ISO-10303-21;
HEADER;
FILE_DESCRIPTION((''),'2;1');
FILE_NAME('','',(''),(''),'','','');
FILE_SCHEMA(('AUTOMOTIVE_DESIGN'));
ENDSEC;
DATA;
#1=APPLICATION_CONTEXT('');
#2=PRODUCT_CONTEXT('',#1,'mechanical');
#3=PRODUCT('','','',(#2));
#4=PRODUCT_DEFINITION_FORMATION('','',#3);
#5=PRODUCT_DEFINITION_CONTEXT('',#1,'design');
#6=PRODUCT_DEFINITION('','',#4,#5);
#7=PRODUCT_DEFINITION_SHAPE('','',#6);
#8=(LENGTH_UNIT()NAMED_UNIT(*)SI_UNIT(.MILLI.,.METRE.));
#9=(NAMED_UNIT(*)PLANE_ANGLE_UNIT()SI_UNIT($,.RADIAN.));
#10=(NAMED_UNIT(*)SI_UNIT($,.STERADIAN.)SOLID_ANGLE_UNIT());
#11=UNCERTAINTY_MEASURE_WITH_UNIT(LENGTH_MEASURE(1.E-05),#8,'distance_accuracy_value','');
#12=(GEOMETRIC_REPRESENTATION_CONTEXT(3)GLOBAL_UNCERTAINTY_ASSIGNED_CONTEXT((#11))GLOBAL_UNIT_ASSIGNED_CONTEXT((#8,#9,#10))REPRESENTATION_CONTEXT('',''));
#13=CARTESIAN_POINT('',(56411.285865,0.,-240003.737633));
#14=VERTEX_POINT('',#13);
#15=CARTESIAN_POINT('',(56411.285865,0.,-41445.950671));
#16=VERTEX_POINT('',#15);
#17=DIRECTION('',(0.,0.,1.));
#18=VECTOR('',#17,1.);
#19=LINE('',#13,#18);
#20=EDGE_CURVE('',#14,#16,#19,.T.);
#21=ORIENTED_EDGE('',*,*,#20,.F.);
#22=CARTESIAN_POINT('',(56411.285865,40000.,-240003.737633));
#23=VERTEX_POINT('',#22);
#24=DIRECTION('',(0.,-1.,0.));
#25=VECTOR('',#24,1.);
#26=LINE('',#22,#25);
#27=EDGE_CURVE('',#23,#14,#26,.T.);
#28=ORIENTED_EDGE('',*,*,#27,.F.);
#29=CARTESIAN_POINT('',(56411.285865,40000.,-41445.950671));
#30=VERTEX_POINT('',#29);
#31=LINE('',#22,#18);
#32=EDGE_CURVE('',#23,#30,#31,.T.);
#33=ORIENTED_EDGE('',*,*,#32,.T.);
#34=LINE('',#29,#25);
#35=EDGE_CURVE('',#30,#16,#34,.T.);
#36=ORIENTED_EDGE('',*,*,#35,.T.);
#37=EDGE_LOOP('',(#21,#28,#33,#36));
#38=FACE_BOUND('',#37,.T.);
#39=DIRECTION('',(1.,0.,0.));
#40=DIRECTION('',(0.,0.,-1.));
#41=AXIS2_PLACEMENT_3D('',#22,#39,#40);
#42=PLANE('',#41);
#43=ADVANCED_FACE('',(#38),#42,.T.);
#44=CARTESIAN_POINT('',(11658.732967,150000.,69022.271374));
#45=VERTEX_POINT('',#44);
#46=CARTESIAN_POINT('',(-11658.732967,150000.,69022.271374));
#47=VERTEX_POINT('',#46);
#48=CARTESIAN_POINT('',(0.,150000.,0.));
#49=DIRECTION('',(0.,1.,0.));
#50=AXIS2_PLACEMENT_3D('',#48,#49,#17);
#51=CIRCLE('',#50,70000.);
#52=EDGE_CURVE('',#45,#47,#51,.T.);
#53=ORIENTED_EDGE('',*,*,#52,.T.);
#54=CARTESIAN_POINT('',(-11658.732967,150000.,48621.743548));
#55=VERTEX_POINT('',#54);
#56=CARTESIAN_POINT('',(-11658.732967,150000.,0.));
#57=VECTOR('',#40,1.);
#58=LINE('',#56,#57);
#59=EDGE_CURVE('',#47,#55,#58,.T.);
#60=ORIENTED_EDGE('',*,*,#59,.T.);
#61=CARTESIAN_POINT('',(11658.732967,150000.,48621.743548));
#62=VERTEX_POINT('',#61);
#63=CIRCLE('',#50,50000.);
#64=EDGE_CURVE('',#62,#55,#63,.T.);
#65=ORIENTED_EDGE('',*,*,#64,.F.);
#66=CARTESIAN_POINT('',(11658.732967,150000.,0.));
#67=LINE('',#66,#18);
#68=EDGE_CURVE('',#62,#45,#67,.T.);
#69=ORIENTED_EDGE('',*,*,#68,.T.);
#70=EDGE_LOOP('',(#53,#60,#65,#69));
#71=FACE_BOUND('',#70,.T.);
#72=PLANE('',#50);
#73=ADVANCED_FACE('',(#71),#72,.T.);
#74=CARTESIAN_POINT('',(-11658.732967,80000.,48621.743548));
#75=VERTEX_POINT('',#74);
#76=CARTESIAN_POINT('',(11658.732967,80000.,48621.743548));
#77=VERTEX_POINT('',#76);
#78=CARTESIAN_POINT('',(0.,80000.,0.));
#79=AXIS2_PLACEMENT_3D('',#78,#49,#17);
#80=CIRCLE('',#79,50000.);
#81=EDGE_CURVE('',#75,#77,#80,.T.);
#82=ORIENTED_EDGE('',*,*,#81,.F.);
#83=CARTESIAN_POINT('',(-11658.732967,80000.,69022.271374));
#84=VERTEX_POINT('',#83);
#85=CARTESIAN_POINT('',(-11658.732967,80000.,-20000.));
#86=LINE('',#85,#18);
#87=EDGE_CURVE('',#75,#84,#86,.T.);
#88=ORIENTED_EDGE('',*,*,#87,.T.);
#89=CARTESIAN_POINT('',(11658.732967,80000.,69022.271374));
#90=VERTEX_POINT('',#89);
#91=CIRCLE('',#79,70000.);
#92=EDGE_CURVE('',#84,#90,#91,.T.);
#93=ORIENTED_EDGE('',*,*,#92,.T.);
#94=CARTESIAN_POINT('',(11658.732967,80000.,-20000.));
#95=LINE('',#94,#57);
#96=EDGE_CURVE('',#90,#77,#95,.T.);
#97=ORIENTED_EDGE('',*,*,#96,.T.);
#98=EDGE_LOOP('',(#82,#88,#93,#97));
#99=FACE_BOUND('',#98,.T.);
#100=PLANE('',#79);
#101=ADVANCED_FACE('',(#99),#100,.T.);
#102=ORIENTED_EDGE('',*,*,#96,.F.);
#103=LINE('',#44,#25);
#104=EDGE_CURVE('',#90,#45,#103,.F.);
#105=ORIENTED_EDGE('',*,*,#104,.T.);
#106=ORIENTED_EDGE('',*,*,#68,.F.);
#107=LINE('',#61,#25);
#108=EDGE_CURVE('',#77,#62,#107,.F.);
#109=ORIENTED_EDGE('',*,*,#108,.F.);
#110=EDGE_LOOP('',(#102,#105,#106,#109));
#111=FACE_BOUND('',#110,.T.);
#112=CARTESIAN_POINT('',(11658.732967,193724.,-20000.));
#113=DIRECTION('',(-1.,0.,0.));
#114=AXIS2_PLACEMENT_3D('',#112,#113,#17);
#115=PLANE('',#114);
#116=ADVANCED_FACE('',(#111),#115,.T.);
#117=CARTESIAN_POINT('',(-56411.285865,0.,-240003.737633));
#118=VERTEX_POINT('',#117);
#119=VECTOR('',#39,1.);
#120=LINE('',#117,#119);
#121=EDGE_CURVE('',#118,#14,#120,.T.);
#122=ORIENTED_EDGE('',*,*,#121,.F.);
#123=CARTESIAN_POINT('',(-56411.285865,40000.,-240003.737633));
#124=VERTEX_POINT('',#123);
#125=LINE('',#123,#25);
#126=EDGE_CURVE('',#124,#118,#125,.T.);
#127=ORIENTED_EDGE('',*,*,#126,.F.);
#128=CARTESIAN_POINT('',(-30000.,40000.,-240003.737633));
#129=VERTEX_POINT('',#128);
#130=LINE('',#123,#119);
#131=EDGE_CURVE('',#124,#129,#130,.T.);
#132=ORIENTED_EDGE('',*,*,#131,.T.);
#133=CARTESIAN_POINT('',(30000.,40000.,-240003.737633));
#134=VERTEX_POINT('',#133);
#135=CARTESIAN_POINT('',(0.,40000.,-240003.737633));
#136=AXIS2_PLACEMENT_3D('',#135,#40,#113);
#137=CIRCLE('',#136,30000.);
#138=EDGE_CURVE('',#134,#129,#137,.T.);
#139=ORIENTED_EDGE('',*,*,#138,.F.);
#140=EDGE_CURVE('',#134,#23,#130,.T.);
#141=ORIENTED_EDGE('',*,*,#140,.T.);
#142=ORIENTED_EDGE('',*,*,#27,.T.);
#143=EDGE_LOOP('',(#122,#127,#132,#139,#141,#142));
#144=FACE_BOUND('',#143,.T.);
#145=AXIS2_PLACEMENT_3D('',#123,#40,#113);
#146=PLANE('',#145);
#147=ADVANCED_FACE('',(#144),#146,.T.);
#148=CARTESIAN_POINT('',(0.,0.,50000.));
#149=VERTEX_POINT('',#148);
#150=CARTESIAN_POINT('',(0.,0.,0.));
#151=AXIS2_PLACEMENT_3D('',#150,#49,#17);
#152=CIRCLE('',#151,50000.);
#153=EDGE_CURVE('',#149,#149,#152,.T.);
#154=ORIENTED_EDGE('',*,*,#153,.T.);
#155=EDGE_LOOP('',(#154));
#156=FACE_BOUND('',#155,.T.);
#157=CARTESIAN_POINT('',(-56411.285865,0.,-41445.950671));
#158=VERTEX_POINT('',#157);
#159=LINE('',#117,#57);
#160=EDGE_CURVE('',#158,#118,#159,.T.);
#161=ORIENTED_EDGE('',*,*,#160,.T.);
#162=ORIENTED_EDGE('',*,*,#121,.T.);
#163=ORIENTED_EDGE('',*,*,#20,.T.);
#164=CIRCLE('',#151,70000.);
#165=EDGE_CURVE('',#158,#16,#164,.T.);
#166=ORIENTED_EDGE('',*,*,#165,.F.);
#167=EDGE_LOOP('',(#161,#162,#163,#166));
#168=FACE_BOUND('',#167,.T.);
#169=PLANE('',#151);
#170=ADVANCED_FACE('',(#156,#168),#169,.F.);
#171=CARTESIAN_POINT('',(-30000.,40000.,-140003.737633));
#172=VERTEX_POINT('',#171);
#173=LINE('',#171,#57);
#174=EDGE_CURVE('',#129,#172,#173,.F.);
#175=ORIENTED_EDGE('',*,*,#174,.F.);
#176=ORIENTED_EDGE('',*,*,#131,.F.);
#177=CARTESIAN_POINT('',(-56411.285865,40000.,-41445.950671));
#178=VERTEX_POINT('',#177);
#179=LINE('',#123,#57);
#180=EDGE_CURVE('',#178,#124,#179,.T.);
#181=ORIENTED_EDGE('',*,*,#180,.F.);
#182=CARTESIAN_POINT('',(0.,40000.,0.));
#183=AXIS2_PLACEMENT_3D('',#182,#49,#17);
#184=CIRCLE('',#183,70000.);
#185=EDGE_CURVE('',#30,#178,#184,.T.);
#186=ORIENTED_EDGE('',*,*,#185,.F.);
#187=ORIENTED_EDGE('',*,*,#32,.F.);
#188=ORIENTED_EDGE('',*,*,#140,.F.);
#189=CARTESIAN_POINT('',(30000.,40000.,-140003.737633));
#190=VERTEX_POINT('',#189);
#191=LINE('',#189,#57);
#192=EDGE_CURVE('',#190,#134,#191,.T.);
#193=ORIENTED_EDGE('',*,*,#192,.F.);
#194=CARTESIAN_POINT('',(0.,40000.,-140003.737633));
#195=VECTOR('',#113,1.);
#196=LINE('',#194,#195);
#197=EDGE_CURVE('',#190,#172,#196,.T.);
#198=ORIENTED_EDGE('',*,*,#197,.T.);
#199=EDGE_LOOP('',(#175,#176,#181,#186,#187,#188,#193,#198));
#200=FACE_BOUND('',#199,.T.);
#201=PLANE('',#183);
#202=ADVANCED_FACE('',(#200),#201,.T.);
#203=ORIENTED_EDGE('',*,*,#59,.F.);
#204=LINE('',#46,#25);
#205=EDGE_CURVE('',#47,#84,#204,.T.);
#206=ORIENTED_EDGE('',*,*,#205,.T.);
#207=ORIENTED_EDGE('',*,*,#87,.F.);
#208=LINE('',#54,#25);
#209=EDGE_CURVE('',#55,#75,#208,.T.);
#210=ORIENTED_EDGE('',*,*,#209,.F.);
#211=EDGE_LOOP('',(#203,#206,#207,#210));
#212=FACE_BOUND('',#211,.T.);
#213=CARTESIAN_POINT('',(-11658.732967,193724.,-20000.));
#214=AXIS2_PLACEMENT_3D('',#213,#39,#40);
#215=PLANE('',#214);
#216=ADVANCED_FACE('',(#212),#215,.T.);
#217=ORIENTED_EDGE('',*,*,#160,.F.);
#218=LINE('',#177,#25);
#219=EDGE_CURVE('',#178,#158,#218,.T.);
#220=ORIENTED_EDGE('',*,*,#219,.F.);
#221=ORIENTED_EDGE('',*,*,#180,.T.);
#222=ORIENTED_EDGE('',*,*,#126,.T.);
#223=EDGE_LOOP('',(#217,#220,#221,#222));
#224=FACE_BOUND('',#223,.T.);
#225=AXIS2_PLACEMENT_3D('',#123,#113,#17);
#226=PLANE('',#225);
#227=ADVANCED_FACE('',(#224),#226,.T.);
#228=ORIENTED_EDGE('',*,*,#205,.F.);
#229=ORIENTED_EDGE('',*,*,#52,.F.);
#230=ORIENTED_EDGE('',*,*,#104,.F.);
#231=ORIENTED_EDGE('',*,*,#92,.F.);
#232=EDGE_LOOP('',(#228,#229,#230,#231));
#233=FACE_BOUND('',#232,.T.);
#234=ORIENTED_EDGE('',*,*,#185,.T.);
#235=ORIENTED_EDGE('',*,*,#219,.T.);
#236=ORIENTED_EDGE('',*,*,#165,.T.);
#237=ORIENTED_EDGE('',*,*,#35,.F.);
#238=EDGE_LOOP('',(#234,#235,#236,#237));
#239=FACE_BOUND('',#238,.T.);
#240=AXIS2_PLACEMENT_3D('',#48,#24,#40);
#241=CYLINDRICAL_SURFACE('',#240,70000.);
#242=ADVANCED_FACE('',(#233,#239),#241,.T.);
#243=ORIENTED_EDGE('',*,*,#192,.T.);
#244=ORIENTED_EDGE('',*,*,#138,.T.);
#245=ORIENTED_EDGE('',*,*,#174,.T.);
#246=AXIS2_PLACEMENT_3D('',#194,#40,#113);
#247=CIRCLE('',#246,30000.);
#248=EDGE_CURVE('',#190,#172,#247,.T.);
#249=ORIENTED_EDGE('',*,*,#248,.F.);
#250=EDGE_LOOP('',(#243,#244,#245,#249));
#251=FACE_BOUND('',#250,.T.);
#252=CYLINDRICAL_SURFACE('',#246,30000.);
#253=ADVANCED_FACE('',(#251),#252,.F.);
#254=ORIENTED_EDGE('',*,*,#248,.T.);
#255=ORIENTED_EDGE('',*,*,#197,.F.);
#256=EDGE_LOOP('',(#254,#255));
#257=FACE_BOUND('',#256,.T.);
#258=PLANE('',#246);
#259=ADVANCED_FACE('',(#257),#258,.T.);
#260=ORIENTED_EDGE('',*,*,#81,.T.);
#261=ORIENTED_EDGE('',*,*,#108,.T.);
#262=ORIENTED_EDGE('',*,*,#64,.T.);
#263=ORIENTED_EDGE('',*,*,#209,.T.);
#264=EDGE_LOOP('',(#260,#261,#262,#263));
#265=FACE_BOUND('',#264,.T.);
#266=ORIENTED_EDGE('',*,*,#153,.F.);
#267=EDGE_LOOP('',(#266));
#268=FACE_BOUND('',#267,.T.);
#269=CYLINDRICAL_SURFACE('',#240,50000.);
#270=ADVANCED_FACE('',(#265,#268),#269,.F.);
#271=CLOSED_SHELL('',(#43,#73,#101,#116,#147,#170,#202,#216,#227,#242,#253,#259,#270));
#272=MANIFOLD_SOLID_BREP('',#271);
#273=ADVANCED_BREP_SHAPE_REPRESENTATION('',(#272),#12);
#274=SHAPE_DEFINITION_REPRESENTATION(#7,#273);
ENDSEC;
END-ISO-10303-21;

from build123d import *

# Parameters (mm, degrees)
SKETCH3_R               = 70000
SKETCH3_R_2             = 50000
BOSS_EXTRUDE1_DEPTH     = 150000
SKETCH7_W               = 112822.571730932
SKETCH7_H               = 198557.786962263
BOSS_EXTRUDE3_DEPTH     = 40000
SKETCH8_R               = 30000
CUT_EXTRUDE1_DEPTH      = 100000
CUT_EXTRUDE2_DEPTH      = 26529
CUT_EXTRUDE2_DEPTH_BACK = 86482
SKETCH9_R               = 50000
CUT_EXTRUDE4_DEPTH      = 43724
CUT_EXTRUDE4_DEPTH_BACK = 70000
SKETCH11_W              = 23317.46593379
SKETCH11_H              = 104003.866310114


with BuildPart() as part:
    # Sketch3 → Boss-Extrude1 (new body)
    with BuildSketch(Plane(origin=(0, 0, 0), x_dir=(1, 0, 0), z_dir=(0, 1, 0))):
        with Locations(Location((0, 0, 0), (0, 0, 270))):
            Circle(SKETCH3_R)
        with Locations(Location((0, 0, 0), (0, 0, 270))):
            Circle(SKETCH3_R_2, mode=Mode.SUBTRACT)
    extrude(amount=BOSS_EXTRUDE1_DEPTH)

    # Sketch7 → Boss-Extrude3 (add)
    with BuildSketch(Plane.XZ):
        with Locations((0, -140724.844151912)):
            Rectangle(SKETCH7_W, SKETCH7_H)
    extrude(amount=-BOSS_EXTRUDE3_DEPTH)

    # Sketch8 → Cut-Extrude1 (cut)
    with BuildSketch(Plane(origin=(0, 0, -240003.737633043), x_dir=(-1, 0, 0), z_dir=(0, 0, -1))):
        with Locations((0, 40000)):
            Circle(SKETCH8_R)
    extrude(amount=-CUT_EXTRUDE1_DEPTH, mode=Mode.SUBTRACT)

    # Sketch9 → Cut-Extrude2 (cut, two sides: drawn at the far end of the back side and taken through both)
    with BuildSketch(Plane(origin=(0, 40000, 0), x_dir=(1, 0, 0), z_dir=(0, 1, 0)).offset(-CUT_EXTRUDE2_DEPTH_BACK)):
        with Locations(Location((0, 0, 0), (0, 0, 270))):
            Circle(SKETCH9_R)
    extrude(amount=CUT_EXTRUDE2_DEPTH + CUT_EXTRUDE2_DEPTH_BACK, mode=Mode.SUBTRACT)

    # Sketch11 → Cut-Extrude4 (cut, two sides: drawn at the far end of the back side and taken through both)
    with BuildSketch(Plane(origin=(0, 150000, 0), x_dir=(1, 0, 0), z_dir=(0, 1, 0)).offset(-CUT_EXTRUDE4_DEPTH_BACK)):
        with Locations((0, -32001.933155057)):
            Rectangle(SKETCH11_W, SKETCH11_H)
    extrude(amount=CUT_EXTRUDE4_DEPTH + CUT_EXTRUDE4_DEPTH_BACK, mode=Mode.SUBTRACT)


solid = part.part
